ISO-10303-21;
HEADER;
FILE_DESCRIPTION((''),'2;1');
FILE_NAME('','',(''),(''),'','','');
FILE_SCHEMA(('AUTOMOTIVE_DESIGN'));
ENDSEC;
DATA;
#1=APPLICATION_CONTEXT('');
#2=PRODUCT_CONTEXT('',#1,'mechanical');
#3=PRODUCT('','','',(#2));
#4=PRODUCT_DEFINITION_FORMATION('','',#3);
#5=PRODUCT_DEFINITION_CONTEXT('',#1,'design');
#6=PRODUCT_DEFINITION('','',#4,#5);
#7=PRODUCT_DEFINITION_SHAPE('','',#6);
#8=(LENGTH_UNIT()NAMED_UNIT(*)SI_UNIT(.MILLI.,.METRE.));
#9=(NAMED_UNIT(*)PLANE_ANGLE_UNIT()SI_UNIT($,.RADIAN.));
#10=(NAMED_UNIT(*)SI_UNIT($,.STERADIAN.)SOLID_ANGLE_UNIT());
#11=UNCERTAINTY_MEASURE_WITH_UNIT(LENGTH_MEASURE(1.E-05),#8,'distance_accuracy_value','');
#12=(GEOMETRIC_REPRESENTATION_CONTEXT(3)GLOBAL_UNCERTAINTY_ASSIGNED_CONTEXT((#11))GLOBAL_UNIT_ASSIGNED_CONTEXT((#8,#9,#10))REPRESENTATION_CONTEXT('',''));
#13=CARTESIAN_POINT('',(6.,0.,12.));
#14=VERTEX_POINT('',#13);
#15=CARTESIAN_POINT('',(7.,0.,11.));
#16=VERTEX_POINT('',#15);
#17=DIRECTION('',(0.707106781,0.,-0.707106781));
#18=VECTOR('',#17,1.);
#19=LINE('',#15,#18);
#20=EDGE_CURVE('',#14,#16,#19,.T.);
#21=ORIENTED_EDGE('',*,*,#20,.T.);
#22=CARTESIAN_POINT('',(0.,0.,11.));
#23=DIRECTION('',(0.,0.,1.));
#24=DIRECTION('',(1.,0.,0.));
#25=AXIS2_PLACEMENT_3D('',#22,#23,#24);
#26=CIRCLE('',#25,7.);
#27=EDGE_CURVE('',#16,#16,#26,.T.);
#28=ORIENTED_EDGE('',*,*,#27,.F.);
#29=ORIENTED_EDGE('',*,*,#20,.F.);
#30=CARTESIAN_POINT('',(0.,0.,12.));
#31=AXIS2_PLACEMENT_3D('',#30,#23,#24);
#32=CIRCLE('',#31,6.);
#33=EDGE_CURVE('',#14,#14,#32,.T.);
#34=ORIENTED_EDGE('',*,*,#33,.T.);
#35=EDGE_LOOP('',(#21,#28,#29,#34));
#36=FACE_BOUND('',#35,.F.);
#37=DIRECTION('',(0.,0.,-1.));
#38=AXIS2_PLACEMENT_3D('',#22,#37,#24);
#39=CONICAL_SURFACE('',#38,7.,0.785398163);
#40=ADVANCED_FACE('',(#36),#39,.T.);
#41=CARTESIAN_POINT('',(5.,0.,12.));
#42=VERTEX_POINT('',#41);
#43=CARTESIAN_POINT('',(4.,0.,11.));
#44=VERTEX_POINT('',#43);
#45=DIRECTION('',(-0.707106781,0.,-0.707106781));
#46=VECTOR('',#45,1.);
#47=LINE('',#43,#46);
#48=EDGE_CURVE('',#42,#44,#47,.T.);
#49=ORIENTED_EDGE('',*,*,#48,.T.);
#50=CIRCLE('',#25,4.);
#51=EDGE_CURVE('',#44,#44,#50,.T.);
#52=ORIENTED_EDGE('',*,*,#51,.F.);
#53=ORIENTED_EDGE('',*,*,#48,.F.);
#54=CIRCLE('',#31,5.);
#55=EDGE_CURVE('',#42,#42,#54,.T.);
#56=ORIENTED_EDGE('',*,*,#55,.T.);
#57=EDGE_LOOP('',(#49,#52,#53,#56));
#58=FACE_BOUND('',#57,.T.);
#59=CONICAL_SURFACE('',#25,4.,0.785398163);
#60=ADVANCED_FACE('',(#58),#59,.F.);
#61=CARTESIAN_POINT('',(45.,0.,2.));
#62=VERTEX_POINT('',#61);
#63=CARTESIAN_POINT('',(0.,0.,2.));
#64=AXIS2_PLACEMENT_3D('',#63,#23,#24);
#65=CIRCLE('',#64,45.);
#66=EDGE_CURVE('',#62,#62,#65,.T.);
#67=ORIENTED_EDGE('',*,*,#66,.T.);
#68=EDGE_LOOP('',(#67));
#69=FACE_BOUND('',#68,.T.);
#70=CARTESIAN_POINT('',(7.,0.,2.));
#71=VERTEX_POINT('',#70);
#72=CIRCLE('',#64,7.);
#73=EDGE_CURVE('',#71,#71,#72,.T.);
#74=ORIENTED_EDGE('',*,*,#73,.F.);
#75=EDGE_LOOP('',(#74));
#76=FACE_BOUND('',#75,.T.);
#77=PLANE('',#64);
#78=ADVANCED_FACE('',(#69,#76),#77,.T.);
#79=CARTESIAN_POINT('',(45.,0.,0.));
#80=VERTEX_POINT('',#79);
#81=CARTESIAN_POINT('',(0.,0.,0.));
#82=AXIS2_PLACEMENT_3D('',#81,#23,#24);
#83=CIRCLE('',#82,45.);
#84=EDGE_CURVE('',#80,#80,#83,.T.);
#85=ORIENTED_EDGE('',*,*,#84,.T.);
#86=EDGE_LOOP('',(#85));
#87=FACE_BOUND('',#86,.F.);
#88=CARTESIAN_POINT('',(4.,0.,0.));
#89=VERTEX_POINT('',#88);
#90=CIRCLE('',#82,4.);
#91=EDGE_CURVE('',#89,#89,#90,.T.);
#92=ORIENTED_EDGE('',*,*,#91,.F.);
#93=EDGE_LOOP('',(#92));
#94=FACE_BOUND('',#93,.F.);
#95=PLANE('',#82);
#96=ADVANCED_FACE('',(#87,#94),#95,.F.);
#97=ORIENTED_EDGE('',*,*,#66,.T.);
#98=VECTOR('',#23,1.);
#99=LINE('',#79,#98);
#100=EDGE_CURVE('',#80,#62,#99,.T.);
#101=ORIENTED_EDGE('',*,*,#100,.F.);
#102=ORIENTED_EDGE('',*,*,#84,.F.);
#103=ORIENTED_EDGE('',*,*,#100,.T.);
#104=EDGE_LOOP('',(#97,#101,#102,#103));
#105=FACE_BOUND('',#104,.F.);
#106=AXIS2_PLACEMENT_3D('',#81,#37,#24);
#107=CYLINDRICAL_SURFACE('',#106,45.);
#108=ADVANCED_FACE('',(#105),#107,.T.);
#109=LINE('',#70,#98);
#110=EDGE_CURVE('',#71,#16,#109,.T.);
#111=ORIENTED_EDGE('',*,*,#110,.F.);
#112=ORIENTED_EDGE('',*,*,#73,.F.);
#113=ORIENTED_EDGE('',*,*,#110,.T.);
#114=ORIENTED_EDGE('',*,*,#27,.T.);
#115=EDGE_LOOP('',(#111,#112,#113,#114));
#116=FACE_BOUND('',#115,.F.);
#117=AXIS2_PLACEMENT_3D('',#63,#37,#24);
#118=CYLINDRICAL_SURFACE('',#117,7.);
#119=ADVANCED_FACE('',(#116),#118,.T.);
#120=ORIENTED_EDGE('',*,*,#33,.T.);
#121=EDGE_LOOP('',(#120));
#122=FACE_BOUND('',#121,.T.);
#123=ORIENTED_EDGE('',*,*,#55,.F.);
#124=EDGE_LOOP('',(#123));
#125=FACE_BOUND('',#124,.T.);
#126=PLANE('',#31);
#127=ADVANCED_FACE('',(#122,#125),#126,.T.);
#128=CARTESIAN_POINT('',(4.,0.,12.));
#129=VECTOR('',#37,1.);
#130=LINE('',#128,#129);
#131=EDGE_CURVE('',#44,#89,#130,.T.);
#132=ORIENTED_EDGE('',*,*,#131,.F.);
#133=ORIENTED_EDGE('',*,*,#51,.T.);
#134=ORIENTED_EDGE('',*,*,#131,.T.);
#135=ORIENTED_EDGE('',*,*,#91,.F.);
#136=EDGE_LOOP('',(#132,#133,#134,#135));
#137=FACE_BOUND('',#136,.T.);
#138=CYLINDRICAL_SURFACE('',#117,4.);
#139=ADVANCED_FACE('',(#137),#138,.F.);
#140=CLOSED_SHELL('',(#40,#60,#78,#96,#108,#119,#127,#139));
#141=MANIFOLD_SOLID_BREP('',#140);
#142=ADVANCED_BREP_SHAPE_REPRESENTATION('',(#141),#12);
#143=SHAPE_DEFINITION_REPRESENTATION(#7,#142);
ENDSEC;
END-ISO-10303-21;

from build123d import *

# Parameters (mm, degrees)
SKETCH_R        = 45
SKETCH_R_2      = 4
PAD_DEPTH       = 2
SKETCH001_R     = 7
SKETCH001_R_2   = 4
PAD001_DEPTH    = 10
CHAMFER_SIZE    = 1
CHAMFER001_SIZE = 1


with BuildPart() as part:
    # Sketch → Pad (new body)
    with BuildSketch(Plane.XY):
        Circle(SKETCH_R)
        Circle(SKETCH_R_2, mode=Mode.SUBTRACT)
    extrude(amount=PAD_DEPTH)

    # Sketch001 (on Face4 of Pad) → Pad001 (join)
    with BuildSketch(Plane.XY.offset(2)):
        Circle(SKETCH001_R)
        Circle(SKETCH001_R_2, mode=Mode.SUBTRACT)
    extrude(amount=PAD001_DEPTH)

    # Chamfer
    chamfer_edges = [part.edges().sort_by_distance(p)[0] for p in [
        (-4, 0, 12),
    ]]
    chamfer(chamfer_edges, length=CHAMFER_SIZE)

    # Chamfer001
    chamfer001_edges = [part.edges().sort_by_distance(p)[0] for p in [
        (-7, 0, 12),
    ]]
    chamfer(chamfer001_edges, length=CHAMFER001_SIZE)


solid = part.part
